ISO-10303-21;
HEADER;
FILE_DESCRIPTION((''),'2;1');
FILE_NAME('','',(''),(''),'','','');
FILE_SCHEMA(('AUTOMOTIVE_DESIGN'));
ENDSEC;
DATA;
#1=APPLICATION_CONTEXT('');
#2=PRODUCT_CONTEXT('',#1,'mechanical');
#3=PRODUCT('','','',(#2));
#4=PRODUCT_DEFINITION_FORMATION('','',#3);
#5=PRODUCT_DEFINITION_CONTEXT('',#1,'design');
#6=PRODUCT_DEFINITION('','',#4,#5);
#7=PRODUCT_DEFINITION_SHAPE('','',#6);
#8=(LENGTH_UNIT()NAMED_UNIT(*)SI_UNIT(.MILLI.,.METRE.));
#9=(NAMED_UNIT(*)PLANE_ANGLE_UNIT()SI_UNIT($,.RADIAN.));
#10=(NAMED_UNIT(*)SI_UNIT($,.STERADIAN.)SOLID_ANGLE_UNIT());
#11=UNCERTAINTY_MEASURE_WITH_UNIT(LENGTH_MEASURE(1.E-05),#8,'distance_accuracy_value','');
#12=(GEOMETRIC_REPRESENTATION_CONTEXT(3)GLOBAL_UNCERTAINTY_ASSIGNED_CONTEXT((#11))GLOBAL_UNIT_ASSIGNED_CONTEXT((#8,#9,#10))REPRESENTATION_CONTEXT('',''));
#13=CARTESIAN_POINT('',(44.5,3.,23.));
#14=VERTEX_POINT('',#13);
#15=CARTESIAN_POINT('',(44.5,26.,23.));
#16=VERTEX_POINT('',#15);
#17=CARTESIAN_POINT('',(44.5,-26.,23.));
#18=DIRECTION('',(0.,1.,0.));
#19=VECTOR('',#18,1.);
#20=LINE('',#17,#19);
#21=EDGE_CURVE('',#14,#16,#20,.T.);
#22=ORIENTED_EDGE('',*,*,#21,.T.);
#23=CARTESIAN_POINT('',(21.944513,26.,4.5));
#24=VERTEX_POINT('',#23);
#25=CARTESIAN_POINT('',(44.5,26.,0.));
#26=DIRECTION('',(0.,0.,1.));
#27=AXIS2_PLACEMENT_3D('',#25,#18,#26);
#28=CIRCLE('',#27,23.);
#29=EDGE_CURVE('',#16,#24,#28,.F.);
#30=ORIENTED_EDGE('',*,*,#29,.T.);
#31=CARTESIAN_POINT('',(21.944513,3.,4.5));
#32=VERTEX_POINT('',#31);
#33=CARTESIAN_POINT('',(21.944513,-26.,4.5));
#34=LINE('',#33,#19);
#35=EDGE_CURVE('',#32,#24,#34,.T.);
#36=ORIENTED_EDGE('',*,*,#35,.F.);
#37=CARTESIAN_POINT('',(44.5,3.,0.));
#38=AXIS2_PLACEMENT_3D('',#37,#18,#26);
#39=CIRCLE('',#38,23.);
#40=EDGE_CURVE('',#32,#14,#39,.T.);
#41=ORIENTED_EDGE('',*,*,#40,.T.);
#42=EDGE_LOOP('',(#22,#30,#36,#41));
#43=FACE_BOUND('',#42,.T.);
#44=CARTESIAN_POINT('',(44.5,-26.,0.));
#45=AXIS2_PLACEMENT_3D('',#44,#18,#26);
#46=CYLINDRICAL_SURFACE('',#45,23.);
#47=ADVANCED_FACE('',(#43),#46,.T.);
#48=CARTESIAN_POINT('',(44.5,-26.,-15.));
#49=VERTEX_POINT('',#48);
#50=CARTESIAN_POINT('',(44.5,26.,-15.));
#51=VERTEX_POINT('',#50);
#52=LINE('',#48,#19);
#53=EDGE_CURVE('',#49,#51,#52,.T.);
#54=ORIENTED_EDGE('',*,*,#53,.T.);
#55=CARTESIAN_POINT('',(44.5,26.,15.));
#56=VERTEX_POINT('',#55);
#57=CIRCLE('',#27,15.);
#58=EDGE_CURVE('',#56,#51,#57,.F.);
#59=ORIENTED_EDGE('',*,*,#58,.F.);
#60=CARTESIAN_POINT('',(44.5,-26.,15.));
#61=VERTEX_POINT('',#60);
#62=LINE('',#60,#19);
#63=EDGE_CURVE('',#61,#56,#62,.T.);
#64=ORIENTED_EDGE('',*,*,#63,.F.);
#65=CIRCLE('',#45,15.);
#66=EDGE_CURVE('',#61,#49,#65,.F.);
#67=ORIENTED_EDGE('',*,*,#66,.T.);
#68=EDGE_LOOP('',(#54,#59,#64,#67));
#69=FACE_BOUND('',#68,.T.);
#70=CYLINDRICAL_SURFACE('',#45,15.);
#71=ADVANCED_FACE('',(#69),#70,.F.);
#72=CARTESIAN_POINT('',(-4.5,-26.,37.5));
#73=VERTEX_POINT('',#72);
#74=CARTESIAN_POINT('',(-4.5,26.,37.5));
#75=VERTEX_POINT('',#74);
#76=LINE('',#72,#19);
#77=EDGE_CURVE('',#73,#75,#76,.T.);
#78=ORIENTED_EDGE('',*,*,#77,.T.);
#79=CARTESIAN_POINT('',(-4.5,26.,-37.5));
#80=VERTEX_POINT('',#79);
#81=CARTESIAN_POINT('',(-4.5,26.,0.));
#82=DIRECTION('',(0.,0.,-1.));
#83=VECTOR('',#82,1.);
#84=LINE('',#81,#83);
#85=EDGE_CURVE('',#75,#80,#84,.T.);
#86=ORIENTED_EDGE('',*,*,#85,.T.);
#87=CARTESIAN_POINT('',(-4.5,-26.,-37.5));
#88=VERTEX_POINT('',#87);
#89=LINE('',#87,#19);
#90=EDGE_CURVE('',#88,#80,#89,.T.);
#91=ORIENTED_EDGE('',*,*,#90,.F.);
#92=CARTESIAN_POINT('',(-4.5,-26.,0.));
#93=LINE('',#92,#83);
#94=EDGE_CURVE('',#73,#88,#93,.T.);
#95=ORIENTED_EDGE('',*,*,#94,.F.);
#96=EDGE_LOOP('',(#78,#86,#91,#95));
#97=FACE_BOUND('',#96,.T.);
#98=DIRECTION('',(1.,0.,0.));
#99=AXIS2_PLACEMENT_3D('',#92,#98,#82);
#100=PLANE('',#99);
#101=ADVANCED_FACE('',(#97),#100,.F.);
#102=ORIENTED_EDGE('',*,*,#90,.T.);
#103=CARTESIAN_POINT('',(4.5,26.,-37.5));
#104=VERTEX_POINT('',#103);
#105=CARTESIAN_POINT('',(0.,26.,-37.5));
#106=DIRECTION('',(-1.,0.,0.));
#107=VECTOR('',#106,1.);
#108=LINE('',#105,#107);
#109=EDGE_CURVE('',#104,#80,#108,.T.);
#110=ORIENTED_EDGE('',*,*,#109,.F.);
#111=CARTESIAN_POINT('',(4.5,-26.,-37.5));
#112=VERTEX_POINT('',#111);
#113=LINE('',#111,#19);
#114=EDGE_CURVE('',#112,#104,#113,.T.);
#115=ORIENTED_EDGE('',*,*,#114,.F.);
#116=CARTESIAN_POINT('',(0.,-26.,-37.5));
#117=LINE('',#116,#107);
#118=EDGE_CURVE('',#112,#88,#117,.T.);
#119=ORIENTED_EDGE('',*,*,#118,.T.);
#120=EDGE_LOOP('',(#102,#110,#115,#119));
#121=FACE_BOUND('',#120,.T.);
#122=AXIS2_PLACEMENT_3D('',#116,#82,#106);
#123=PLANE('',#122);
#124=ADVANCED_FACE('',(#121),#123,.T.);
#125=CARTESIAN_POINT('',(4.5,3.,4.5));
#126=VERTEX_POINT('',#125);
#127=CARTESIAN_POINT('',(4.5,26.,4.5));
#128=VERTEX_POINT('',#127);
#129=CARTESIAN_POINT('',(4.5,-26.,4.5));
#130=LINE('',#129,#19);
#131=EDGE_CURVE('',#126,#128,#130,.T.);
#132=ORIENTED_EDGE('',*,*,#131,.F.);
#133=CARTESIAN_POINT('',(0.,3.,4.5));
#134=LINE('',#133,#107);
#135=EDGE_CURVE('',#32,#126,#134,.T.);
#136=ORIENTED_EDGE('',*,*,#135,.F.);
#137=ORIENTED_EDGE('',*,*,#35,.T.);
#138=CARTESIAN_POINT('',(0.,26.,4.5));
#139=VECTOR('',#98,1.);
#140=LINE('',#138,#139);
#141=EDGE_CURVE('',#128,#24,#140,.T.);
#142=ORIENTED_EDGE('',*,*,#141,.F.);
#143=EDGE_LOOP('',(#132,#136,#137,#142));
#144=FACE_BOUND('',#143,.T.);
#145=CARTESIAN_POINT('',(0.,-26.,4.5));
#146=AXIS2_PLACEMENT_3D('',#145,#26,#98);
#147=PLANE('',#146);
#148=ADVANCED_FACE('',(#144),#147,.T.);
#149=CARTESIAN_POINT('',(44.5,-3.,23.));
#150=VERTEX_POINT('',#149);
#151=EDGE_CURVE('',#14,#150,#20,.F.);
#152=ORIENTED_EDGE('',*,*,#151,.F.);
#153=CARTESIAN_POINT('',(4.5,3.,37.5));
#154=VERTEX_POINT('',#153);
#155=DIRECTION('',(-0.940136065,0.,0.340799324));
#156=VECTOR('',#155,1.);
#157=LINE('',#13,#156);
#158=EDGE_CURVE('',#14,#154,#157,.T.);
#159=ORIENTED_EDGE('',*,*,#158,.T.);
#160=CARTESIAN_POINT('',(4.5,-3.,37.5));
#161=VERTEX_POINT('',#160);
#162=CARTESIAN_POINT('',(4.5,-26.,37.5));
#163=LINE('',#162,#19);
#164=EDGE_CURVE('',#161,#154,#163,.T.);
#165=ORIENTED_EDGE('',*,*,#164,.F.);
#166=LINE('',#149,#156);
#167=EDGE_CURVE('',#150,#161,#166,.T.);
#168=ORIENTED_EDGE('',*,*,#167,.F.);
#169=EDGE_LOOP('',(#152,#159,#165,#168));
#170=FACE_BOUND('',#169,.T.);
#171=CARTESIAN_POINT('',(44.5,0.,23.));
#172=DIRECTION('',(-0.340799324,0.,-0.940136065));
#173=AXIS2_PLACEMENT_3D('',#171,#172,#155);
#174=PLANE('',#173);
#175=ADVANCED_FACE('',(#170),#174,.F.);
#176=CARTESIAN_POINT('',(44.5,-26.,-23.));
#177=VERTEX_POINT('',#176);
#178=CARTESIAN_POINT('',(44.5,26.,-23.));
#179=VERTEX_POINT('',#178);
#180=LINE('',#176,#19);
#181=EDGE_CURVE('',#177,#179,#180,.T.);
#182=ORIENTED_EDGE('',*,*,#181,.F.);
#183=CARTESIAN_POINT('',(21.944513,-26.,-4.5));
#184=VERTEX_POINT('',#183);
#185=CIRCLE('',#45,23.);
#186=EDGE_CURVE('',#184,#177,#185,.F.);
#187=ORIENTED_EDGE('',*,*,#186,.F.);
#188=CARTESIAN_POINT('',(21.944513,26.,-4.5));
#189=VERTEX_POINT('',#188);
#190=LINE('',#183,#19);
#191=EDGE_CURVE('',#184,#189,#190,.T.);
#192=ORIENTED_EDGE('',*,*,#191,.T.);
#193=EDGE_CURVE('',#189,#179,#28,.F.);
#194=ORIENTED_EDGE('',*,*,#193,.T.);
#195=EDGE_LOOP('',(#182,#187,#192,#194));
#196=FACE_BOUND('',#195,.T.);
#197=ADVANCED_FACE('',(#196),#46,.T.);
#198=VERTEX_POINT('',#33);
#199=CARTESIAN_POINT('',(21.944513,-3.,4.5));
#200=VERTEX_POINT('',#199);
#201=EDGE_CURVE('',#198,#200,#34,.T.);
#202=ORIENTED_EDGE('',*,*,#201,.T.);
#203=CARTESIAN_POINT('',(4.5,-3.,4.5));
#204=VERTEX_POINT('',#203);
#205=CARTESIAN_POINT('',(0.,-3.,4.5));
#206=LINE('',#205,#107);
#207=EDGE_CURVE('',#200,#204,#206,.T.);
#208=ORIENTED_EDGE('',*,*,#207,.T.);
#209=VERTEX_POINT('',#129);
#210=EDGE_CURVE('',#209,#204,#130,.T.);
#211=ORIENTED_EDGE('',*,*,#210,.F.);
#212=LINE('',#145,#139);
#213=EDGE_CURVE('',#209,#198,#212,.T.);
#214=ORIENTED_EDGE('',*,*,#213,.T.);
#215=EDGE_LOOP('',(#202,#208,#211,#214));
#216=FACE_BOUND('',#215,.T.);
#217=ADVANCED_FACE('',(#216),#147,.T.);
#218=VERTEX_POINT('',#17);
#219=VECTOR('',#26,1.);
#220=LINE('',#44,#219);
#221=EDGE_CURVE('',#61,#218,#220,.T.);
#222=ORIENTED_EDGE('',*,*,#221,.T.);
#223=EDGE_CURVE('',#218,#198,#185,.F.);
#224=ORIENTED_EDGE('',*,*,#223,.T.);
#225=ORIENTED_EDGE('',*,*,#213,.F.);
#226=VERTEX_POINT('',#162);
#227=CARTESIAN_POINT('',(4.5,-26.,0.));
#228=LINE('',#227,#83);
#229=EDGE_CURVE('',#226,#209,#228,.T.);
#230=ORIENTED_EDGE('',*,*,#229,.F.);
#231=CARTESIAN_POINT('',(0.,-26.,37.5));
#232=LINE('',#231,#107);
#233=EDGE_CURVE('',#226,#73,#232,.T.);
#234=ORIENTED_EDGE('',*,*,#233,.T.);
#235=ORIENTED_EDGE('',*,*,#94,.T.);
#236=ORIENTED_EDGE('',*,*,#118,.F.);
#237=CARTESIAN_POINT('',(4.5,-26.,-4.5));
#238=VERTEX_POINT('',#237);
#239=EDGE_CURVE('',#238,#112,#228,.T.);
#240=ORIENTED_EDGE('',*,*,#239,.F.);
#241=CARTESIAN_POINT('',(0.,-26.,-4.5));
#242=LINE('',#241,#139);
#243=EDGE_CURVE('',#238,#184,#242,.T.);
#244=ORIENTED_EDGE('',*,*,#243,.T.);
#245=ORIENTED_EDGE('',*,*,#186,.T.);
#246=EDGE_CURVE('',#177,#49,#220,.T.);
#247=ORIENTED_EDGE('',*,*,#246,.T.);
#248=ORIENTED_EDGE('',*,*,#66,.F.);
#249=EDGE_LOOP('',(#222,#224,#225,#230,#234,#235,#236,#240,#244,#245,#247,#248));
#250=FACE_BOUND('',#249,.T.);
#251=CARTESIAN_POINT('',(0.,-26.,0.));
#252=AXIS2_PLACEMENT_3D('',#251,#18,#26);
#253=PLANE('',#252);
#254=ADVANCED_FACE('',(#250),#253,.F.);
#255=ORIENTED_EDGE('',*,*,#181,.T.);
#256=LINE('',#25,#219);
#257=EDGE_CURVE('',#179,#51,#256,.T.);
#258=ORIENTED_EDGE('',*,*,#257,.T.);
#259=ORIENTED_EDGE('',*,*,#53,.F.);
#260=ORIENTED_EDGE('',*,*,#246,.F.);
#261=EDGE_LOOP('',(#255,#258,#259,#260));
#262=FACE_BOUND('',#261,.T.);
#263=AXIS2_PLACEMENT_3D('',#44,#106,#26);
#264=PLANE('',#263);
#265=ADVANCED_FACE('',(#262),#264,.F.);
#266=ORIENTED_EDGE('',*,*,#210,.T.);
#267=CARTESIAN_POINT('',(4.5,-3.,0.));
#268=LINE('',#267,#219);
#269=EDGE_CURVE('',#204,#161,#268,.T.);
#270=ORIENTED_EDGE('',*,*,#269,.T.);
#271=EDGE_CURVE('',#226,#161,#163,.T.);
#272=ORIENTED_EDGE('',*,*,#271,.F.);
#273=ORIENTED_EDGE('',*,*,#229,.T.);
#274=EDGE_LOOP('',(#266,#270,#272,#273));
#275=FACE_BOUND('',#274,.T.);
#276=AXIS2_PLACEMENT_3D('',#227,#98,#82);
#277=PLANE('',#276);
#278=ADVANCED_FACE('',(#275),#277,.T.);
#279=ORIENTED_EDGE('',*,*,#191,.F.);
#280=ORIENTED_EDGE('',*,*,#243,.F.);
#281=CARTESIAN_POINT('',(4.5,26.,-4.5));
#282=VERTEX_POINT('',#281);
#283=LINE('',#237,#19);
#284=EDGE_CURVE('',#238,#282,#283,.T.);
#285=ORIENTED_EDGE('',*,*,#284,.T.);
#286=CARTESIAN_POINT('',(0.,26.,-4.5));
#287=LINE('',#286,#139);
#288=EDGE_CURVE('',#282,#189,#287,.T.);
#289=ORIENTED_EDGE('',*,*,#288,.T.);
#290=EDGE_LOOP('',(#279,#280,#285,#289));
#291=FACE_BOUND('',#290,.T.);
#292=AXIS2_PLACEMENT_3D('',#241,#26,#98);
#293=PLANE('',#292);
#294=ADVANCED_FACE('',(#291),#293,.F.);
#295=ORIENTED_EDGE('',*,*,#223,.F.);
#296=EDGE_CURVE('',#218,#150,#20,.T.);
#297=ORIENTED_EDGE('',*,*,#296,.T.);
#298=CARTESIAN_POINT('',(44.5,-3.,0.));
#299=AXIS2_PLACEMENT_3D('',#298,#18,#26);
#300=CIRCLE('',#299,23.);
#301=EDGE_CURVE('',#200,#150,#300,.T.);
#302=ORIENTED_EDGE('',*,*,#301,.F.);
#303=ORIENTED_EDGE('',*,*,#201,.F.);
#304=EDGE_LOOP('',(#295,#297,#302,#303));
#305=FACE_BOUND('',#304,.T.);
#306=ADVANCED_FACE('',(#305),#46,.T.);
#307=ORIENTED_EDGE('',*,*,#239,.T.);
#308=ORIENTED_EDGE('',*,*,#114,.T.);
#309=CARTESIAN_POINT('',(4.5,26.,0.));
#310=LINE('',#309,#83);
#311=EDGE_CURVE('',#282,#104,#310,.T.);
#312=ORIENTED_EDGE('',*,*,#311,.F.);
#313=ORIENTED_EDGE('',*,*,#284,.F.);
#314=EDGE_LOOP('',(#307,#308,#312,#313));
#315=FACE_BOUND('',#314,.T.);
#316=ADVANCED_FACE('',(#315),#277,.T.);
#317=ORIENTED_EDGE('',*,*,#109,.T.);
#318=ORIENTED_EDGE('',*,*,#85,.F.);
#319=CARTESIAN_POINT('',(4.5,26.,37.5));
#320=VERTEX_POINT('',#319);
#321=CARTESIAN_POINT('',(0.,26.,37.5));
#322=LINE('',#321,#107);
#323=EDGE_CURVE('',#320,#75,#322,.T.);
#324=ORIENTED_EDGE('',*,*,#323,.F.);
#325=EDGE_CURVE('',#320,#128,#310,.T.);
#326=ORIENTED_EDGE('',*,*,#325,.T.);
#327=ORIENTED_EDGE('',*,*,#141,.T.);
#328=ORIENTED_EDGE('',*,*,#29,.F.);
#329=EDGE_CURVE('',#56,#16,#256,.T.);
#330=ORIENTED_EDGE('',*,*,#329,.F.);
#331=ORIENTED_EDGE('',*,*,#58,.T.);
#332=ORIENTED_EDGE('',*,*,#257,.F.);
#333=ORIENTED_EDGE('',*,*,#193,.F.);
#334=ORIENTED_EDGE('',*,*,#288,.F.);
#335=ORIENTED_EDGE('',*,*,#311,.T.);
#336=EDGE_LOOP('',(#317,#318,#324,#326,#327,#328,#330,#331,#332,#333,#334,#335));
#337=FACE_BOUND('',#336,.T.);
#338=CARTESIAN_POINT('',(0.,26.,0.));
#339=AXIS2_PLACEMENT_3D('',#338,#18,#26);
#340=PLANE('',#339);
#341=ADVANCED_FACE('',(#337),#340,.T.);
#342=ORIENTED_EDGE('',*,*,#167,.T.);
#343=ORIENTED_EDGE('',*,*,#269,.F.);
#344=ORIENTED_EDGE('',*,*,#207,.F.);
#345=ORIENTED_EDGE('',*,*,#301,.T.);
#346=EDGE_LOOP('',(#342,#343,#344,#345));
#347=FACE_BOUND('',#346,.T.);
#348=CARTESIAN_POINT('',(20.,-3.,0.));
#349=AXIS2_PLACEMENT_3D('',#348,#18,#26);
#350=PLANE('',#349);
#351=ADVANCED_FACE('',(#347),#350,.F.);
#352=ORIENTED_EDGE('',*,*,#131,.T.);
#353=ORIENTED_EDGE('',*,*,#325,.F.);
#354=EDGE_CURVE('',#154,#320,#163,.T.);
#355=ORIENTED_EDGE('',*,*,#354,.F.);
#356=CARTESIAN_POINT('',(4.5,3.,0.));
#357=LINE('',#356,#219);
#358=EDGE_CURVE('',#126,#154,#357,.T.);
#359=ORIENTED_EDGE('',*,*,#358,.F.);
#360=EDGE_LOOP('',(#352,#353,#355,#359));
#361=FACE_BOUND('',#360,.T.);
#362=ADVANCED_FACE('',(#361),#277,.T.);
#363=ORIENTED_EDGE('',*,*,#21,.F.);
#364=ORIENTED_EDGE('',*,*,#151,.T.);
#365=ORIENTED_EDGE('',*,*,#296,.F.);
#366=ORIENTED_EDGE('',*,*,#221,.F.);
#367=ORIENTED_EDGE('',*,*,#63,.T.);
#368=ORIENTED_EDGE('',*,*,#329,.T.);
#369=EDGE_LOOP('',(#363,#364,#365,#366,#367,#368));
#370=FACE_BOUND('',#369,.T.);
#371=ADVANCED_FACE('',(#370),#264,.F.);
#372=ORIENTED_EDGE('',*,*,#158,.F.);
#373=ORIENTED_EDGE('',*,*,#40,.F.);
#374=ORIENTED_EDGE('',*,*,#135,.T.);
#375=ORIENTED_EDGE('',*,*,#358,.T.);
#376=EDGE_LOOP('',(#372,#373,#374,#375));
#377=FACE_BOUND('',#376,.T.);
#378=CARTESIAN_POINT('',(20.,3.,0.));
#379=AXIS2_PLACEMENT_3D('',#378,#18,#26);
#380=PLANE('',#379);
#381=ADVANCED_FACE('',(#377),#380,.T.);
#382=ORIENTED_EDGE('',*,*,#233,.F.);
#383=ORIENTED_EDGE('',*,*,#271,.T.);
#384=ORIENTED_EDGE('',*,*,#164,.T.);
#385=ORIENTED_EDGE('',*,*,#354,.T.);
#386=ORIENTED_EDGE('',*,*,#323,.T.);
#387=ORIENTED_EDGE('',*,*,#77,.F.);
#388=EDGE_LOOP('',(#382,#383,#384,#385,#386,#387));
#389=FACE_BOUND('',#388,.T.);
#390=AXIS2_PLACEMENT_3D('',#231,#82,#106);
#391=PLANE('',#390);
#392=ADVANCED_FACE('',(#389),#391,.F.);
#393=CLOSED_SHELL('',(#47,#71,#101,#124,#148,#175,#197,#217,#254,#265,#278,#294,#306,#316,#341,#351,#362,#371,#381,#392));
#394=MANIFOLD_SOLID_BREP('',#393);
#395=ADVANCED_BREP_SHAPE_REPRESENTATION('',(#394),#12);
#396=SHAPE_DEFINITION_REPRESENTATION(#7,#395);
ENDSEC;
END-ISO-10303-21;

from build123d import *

# Parameters (mm, degrees)
SKETCH1_W           = 9
SKETCH1_H           = 75
BOSS_EXTRUDE1_DEPTH = 26
RIB3_REACH          = 65.738
SKETCH3_WALL_W      = 172.022520638
SKETCH3_WALL_H      = 6


with BuildPart() as part:
    # Sketch1 → Boss-Extrude1 (new, symmetric)
    with BuildSketch(Plane(origin=(0, 0, 0), x_dir=(1, 0, 0), z_dir=(0, 1, 0))):
        Rectangle(SKETCH1_W, SKETCH1_H)
        with BuildLine():
            Line((4.5, 4.5), (4.5, -4.5))
            Line((4.5, -4.5), (21.944512863, -4.5))
            ThreePointArc((21.944512863, -4.5), (21.5, 0), (21.944512863, 4.5))
            Line((21.944512863, 4.5), (4.5, 4.5))
        make_face()
        with BuildLine():
            Line((44.5, -15), (44.5, -23))
            ThreePointArc((44.5, -23), (21.5, 0), (44.5, 23))
            Line((44.5, 23), (44.5, 15))
            ThreePointArc((44.5, 15), (29.5, 0), (44.5, -15))
        make_face()
    extrude(amount=BOSS_EXTRUDE1_DEPTH, both=True)

    # Sketch3 wall → Rib3 (add, up to next)
    with BuildSketch(Plane(origin=(24.5, 0, 30.25), x_dir=(-0.940136065162, 0, 0.340799323621), z_dir=(0.340799323621, 0, 0.940136065162)), mode=Mode.PRIVATE) as rib3_sk1:
        Rectangle(SKETCH3_WALL_W, SKETCH3_WALL_H)
    rib3_tool1 = extrude(rib3_sk1.sketch, amount=-RIB3_REACH, mode=Mode.PRIVATE) - part.part
    add(rib3_tool1.solids().sort_by_distance((24.5, 0, 30.25))[0])


solid = part.part
